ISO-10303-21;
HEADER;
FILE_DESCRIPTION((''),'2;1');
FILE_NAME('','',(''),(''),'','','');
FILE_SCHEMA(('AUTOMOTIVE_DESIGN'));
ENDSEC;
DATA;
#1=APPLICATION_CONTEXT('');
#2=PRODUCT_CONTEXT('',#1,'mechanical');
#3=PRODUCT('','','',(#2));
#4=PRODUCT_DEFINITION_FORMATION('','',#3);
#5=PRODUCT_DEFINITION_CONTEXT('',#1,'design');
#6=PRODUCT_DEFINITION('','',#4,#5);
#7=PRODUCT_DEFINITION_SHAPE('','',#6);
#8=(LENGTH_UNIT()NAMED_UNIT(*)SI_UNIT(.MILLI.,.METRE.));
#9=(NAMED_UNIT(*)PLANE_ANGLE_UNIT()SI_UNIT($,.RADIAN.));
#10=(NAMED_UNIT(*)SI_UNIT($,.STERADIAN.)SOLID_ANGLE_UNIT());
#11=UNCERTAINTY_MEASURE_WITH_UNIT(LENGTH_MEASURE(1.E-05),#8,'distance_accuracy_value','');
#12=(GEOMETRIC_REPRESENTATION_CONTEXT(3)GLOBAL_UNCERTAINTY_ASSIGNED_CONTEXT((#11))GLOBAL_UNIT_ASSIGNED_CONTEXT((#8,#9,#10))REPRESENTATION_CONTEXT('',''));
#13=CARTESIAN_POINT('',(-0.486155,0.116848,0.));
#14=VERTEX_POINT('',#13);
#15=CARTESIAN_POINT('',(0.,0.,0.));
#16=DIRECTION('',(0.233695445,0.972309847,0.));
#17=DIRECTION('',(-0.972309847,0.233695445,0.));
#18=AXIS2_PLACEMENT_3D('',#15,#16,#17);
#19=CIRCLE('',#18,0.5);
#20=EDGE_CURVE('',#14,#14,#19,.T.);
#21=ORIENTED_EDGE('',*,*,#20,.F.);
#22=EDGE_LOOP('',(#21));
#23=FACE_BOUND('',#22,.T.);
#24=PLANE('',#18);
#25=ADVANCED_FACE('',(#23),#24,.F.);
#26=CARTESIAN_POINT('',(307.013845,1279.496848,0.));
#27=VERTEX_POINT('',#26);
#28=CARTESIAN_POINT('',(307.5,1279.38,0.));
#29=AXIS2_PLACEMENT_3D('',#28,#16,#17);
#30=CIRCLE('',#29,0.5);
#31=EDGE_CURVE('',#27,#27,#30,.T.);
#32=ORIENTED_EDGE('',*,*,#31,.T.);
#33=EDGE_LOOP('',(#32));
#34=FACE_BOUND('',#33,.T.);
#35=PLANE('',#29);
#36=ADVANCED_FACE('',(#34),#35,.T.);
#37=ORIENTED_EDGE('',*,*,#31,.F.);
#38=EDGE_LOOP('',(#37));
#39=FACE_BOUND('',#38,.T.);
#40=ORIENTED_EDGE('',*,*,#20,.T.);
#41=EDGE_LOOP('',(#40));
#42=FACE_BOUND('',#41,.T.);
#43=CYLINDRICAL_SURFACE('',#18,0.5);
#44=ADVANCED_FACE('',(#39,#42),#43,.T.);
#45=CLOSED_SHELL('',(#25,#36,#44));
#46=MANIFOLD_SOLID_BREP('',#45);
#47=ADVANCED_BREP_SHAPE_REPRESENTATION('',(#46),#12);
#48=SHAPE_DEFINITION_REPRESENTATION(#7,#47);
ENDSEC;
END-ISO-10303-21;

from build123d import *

# Parameters (mm, degrees)
SWEEP_1_PROFILE_R = 0.5


with BuildPart() as part:
    # 扫描1: sweep along a path in 草图3
    with BuildLine(Plane.XY) as sweep_1_path:
        Line((0, 0), (307.5, 1279.38))
    # 扫描1 profile (on start of the path) → 扫描1 (sweep)
    with BuildSketch(Plane(origin=(0, 0, 0), x_dir=(0.972309847, -0.233695445, 0), z_dir=(0.233695445, 0.972309847, 0))):
        Circle(SWEEP_1_PROFILE_R)
    sweep(path=sweep_1_path.line)


solid = part.part
